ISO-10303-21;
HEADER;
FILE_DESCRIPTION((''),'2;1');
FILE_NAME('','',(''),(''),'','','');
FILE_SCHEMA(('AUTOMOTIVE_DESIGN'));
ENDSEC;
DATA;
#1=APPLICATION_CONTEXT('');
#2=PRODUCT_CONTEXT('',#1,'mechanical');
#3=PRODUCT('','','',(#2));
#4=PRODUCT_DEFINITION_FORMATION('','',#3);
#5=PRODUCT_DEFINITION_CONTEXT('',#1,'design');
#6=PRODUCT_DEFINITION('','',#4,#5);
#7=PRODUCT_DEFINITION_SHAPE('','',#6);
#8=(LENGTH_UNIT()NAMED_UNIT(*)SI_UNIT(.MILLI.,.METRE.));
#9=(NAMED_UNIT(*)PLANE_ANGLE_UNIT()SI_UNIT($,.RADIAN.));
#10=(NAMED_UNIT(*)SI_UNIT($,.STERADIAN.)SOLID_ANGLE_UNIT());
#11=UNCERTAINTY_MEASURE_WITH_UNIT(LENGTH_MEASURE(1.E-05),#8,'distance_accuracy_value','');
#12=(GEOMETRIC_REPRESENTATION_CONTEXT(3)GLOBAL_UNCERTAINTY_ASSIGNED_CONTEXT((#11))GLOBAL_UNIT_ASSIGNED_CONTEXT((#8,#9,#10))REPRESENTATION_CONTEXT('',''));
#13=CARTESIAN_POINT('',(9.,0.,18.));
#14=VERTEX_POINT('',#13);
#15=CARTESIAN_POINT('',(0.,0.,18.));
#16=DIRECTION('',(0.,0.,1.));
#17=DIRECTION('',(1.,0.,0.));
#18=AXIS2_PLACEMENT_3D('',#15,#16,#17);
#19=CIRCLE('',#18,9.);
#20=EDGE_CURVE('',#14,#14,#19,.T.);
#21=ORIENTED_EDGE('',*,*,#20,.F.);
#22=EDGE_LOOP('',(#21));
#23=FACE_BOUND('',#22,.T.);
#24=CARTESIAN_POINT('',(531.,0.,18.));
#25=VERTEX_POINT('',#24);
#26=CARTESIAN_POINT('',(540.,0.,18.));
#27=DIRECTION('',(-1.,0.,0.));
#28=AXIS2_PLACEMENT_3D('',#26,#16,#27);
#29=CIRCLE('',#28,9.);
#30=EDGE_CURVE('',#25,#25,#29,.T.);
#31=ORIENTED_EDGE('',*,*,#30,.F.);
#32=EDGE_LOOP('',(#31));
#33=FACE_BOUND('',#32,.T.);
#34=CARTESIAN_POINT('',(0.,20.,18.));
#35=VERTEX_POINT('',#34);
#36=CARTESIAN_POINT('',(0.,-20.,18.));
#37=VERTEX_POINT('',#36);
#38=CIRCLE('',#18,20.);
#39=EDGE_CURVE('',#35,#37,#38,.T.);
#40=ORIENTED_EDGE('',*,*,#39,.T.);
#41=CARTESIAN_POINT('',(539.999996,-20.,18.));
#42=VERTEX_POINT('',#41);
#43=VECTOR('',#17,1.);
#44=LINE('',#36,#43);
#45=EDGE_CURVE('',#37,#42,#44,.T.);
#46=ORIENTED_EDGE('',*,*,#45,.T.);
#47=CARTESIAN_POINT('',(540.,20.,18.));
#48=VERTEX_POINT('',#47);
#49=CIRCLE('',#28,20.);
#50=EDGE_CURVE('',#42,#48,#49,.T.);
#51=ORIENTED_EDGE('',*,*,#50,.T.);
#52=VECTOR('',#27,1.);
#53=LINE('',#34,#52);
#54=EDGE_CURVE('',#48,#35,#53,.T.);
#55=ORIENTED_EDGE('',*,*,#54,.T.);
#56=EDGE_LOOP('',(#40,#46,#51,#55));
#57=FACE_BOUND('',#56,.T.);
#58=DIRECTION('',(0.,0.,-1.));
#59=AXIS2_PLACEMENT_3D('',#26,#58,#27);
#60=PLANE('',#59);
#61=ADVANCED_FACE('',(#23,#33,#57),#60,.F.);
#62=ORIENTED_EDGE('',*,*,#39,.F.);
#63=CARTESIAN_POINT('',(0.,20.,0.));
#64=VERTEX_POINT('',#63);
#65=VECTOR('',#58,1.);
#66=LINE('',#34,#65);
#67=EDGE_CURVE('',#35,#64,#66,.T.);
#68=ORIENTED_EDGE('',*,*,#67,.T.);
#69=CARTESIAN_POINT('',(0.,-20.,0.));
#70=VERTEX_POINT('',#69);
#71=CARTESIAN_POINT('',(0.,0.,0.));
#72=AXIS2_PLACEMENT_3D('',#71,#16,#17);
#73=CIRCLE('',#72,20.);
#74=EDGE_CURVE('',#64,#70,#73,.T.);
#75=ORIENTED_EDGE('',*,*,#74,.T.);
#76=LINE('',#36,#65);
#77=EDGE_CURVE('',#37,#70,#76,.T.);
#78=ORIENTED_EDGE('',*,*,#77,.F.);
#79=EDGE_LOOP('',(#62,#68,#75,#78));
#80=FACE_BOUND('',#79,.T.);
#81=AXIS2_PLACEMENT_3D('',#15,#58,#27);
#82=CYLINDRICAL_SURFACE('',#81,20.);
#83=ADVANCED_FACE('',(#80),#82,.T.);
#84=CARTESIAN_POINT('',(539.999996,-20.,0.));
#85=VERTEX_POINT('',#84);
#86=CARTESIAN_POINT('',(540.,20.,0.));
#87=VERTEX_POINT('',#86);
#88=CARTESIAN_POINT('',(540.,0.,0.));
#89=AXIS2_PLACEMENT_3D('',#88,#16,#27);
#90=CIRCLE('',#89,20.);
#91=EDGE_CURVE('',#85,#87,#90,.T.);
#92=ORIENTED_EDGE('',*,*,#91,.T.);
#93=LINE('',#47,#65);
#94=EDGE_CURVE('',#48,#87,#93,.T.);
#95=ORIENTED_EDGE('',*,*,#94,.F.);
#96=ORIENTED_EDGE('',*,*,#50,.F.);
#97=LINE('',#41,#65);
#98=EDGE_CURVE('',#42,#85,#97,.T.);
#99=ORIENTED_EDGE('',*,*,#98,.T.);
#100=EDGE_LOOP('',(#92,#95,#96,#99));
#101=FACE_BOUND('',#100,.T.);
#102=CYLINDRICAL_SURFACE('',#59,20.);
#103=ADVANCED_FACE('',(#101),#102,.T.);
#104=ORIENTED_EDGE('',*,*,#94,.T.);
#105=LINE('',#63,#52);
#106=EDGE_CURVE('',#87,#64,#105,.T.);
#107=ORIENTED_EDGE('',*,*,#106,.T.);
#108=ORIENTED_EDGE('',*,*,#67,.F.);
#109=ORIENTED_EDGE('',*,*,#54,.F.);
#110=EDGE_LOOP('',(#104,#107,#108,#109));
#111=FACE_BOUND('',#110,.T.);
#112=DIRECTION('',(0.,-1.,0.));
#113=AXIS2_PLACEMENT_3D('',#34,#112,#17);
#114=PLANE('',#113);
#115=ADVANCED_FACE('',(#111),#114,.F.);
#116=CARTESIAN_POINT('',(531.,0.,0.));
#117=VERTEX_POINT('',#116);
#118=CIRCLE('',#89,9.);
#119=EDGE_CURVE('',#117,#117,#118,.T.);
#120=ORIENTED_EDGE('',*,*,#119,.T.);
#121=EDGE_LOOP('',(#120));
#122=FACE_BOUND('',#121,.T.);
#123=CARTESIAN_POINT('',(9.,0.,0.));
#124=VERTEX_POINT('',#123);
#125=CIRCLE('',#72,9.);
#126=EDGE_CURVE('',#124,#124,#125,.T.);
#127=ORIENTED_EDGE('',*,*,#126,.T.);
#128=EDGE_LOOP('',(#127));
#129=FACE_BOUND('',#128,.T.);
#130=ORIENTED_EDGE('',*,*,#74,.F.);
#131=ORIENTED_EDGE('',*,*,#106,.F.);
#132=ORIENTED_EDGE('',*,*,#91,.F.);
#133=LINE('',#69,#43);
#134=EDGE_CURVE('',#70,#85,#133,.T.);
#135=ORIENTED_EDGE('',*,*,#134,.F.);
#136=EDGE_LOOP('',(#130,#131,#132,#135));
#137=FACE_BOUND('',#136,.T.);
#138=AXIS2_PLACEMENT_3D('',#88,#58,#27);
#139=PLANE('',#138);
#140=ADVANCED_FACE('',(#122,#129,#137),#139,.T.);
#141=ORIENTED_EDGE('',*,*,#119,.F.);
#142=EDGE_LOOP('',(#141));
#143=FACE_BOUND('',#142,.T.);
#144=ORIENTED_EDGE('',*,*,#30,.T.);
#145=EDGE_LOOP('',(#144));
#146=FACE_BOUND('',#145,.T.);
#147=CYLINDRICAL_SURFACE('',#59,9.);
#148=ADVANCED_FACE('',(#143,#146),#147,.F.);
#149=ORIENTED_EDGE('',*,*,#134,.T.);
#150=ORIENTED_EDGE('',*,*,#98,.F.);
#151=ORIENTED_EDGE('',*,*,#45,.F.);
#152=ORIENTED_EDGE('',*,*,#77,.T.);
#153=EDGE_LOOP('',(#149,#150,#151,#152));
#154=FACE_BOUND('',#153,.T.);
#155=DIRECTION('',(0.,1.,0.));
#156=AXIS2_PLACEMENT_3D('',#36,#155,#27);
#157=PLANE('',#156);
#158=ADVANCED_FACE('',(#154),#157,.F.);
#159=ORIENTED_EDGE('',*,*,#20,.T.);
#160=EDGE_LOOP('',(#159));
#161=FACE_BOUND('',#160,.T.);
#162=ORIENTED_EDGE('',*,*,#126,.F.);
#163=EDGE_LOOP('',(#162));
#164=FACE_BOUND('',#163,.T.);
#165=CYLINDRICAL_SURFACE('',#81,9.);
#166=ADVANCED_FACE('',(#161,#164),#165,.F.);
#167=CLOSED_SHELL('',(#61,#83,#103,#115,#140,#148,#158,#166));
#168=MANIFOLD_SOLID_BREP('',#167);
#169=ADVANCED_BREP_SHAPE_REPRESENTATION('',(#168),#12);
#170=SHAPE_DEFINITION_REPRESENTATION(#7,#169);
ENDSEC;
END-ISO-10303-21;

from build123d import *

# Parameters (mm, degrees)
SZKIC1_R                    = 9
DODANIE_WYCI_GNI_CIE2_DEPTH = 18


with BuildPart() as part:
    # Szkic1 → Dodanie-wyciągnięcie2 (new body)
    with BuildSketch(Plane.XY):
        with BuildLine():
            Line((0, 20), (540, 20))
            ThreePointArc((540, 20), (560, -2.244e-06), (539.999995511, -20))
            Line((539.999995511, -20), (0, -20))
            ThreePointArc((0, -20), (-20, 0), (0, 20))
        make_face()
        Circle(SZKIC1_R, mode=Mode.SUBTRACT)
        with Locations((540, 0)):
            Circle(SZKIC1_R, mode=Mode.SUBTRACT)
    extrude(amount=DODANIE_WYCI_GNI_CIE2_DEPTH)


solid = part.part
